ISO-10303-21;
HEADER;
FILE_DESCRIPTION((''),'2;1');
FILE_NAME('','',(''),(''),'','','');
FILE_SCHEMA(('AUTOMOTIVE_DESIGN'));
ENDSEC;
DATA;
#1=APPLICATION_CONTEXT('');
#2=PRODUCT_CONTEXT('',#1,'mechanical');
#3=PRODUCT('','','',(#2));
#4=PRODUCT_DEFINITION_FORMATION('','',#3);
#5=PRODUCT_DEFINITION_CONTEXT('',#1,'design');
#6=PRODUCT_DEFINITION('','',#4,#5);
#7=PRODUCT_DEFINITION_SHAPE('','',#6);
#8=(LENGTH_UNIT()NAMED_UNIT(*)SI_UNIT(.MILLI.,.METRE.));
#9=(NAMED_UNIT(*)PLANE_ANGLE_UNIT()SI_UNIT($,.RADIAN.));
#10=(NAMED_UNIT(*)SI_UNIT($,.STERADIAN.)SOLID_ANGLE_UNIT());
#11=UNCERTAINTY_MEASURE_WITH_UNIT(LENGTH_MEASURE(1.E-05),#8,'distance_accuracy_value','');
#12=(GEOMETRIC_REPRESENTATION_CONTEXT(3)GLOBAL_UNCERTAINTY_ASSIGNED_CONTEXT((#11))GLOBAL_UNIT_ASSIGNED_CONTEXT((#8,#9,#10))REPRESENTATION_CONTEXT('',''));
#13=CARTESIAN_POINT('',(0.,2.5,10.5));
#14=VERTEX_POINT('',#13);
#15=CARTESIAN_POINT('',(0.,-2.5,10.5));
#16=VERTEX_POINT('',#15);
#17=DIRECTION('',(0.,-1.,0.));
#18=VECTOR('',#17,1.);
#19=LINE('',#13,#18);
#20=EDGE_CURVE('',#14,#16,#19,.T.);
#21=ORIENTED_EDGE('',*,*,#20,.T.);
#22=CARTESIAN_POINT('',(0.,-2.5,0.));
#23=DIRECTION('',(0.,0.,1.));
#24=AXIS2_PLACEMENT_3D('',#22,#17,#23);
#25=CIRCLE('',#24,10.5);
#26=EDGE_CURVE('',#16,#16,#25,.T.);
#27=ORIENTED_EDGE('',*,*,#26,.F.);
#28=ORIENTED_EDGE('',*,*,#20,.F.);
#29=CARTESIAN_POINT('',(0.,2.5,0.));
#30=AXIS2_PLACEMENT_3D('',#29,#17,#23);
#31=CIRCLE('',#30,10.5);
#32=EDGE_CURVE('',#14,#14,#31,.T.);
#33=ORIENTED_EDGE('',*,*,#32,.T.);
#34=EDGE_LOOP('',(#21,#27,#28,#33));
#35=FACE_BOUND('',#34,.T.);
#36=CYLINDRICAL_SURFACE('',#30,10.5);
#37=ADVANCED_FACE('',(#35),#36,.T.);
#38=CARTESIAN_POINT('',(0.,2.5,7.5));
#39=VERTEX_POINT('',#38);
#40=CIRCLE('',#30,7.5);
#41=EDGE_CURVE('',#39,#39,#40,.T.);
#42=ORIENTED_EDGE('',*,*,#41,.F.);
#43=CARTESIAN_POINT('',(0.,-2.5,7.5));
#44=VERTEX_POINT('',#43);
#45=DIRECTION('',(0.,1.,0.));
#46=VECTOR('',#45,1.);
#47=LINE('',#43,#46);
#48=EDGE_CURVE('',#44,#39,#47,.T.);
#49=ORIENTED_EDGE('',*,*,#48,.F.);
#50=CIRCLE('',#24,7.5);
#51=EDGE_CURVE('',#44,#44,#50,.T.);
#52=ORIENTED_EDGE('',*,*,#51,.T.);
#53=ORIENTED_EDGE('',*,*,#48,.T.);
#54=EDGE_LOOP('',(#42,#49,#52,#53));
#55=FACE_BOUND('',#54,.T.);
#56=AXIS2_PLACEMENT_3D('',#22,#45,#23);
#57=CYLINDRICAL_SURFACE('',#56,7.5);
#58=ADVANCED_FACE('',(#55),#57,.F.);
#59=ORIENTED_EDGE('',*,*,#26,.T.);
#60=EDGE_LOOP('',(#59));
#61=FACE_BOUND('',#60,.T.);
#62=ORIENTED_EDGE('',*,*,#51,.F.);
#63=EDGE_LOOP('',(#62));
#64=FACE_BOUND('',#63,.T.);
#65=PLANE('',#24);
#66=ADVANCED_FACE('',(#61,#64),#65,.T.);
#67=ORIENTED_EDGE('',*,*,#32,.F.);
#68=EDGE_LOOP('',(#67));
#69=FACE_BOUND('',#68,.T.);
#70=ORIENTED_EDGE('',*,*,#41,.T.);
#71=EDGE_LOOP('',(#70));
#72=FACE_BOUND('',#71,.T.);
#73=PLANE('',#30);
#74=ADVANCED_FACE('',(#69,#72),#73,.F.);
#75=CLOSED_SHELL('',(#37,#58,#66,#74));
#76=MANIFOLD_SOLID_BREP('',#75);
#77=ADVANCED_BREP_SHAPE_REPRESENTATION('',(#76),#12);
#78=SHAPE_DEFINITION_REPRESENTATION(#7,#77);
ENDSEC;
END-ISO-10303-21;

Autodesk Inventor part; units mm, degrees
ref_plane "YZ Plane" through (0, 0, 0) normal (1, 0, 0) x (0, 1, 0)
ref_plane "XZ Plane" through (0, 0, 0) normal (0, 1, 0) x (-1, 0, 0)
ref_plane "XY Plane" through (0, 0, 0) normal (0, 0, 1) x (1, 0, 0)
sketch "Sketch2" plane through (0, 0, 0) normal (1, 0, 0) x (0, 1, 0)
  line L0 (2.5, 10.5) -> (-2.5, 10.5)
  line L1 (-2.5, 10.5) -> (-2.5, 7.5)
  line L2 (-2.5, 7.5) -> (2.5, 7.5)
  line L3 (2.5, 7.5) -> (2.5, 10.5)
  line L4 (2.5, 0) -> (-2.5, 0)
  point P0 (0, 0)
  point P1 (0, 0)
  dimension "d0" = 5
  dimension "d1" = 15
  dimension "d2" = 21
revolve "Revolution1" add sketch "Sketch2" angle 360 about axis through (0, 2.5, 0) along (0, -1, 0)
properties part number "Bearing_GB" material "Stainless Steel"
